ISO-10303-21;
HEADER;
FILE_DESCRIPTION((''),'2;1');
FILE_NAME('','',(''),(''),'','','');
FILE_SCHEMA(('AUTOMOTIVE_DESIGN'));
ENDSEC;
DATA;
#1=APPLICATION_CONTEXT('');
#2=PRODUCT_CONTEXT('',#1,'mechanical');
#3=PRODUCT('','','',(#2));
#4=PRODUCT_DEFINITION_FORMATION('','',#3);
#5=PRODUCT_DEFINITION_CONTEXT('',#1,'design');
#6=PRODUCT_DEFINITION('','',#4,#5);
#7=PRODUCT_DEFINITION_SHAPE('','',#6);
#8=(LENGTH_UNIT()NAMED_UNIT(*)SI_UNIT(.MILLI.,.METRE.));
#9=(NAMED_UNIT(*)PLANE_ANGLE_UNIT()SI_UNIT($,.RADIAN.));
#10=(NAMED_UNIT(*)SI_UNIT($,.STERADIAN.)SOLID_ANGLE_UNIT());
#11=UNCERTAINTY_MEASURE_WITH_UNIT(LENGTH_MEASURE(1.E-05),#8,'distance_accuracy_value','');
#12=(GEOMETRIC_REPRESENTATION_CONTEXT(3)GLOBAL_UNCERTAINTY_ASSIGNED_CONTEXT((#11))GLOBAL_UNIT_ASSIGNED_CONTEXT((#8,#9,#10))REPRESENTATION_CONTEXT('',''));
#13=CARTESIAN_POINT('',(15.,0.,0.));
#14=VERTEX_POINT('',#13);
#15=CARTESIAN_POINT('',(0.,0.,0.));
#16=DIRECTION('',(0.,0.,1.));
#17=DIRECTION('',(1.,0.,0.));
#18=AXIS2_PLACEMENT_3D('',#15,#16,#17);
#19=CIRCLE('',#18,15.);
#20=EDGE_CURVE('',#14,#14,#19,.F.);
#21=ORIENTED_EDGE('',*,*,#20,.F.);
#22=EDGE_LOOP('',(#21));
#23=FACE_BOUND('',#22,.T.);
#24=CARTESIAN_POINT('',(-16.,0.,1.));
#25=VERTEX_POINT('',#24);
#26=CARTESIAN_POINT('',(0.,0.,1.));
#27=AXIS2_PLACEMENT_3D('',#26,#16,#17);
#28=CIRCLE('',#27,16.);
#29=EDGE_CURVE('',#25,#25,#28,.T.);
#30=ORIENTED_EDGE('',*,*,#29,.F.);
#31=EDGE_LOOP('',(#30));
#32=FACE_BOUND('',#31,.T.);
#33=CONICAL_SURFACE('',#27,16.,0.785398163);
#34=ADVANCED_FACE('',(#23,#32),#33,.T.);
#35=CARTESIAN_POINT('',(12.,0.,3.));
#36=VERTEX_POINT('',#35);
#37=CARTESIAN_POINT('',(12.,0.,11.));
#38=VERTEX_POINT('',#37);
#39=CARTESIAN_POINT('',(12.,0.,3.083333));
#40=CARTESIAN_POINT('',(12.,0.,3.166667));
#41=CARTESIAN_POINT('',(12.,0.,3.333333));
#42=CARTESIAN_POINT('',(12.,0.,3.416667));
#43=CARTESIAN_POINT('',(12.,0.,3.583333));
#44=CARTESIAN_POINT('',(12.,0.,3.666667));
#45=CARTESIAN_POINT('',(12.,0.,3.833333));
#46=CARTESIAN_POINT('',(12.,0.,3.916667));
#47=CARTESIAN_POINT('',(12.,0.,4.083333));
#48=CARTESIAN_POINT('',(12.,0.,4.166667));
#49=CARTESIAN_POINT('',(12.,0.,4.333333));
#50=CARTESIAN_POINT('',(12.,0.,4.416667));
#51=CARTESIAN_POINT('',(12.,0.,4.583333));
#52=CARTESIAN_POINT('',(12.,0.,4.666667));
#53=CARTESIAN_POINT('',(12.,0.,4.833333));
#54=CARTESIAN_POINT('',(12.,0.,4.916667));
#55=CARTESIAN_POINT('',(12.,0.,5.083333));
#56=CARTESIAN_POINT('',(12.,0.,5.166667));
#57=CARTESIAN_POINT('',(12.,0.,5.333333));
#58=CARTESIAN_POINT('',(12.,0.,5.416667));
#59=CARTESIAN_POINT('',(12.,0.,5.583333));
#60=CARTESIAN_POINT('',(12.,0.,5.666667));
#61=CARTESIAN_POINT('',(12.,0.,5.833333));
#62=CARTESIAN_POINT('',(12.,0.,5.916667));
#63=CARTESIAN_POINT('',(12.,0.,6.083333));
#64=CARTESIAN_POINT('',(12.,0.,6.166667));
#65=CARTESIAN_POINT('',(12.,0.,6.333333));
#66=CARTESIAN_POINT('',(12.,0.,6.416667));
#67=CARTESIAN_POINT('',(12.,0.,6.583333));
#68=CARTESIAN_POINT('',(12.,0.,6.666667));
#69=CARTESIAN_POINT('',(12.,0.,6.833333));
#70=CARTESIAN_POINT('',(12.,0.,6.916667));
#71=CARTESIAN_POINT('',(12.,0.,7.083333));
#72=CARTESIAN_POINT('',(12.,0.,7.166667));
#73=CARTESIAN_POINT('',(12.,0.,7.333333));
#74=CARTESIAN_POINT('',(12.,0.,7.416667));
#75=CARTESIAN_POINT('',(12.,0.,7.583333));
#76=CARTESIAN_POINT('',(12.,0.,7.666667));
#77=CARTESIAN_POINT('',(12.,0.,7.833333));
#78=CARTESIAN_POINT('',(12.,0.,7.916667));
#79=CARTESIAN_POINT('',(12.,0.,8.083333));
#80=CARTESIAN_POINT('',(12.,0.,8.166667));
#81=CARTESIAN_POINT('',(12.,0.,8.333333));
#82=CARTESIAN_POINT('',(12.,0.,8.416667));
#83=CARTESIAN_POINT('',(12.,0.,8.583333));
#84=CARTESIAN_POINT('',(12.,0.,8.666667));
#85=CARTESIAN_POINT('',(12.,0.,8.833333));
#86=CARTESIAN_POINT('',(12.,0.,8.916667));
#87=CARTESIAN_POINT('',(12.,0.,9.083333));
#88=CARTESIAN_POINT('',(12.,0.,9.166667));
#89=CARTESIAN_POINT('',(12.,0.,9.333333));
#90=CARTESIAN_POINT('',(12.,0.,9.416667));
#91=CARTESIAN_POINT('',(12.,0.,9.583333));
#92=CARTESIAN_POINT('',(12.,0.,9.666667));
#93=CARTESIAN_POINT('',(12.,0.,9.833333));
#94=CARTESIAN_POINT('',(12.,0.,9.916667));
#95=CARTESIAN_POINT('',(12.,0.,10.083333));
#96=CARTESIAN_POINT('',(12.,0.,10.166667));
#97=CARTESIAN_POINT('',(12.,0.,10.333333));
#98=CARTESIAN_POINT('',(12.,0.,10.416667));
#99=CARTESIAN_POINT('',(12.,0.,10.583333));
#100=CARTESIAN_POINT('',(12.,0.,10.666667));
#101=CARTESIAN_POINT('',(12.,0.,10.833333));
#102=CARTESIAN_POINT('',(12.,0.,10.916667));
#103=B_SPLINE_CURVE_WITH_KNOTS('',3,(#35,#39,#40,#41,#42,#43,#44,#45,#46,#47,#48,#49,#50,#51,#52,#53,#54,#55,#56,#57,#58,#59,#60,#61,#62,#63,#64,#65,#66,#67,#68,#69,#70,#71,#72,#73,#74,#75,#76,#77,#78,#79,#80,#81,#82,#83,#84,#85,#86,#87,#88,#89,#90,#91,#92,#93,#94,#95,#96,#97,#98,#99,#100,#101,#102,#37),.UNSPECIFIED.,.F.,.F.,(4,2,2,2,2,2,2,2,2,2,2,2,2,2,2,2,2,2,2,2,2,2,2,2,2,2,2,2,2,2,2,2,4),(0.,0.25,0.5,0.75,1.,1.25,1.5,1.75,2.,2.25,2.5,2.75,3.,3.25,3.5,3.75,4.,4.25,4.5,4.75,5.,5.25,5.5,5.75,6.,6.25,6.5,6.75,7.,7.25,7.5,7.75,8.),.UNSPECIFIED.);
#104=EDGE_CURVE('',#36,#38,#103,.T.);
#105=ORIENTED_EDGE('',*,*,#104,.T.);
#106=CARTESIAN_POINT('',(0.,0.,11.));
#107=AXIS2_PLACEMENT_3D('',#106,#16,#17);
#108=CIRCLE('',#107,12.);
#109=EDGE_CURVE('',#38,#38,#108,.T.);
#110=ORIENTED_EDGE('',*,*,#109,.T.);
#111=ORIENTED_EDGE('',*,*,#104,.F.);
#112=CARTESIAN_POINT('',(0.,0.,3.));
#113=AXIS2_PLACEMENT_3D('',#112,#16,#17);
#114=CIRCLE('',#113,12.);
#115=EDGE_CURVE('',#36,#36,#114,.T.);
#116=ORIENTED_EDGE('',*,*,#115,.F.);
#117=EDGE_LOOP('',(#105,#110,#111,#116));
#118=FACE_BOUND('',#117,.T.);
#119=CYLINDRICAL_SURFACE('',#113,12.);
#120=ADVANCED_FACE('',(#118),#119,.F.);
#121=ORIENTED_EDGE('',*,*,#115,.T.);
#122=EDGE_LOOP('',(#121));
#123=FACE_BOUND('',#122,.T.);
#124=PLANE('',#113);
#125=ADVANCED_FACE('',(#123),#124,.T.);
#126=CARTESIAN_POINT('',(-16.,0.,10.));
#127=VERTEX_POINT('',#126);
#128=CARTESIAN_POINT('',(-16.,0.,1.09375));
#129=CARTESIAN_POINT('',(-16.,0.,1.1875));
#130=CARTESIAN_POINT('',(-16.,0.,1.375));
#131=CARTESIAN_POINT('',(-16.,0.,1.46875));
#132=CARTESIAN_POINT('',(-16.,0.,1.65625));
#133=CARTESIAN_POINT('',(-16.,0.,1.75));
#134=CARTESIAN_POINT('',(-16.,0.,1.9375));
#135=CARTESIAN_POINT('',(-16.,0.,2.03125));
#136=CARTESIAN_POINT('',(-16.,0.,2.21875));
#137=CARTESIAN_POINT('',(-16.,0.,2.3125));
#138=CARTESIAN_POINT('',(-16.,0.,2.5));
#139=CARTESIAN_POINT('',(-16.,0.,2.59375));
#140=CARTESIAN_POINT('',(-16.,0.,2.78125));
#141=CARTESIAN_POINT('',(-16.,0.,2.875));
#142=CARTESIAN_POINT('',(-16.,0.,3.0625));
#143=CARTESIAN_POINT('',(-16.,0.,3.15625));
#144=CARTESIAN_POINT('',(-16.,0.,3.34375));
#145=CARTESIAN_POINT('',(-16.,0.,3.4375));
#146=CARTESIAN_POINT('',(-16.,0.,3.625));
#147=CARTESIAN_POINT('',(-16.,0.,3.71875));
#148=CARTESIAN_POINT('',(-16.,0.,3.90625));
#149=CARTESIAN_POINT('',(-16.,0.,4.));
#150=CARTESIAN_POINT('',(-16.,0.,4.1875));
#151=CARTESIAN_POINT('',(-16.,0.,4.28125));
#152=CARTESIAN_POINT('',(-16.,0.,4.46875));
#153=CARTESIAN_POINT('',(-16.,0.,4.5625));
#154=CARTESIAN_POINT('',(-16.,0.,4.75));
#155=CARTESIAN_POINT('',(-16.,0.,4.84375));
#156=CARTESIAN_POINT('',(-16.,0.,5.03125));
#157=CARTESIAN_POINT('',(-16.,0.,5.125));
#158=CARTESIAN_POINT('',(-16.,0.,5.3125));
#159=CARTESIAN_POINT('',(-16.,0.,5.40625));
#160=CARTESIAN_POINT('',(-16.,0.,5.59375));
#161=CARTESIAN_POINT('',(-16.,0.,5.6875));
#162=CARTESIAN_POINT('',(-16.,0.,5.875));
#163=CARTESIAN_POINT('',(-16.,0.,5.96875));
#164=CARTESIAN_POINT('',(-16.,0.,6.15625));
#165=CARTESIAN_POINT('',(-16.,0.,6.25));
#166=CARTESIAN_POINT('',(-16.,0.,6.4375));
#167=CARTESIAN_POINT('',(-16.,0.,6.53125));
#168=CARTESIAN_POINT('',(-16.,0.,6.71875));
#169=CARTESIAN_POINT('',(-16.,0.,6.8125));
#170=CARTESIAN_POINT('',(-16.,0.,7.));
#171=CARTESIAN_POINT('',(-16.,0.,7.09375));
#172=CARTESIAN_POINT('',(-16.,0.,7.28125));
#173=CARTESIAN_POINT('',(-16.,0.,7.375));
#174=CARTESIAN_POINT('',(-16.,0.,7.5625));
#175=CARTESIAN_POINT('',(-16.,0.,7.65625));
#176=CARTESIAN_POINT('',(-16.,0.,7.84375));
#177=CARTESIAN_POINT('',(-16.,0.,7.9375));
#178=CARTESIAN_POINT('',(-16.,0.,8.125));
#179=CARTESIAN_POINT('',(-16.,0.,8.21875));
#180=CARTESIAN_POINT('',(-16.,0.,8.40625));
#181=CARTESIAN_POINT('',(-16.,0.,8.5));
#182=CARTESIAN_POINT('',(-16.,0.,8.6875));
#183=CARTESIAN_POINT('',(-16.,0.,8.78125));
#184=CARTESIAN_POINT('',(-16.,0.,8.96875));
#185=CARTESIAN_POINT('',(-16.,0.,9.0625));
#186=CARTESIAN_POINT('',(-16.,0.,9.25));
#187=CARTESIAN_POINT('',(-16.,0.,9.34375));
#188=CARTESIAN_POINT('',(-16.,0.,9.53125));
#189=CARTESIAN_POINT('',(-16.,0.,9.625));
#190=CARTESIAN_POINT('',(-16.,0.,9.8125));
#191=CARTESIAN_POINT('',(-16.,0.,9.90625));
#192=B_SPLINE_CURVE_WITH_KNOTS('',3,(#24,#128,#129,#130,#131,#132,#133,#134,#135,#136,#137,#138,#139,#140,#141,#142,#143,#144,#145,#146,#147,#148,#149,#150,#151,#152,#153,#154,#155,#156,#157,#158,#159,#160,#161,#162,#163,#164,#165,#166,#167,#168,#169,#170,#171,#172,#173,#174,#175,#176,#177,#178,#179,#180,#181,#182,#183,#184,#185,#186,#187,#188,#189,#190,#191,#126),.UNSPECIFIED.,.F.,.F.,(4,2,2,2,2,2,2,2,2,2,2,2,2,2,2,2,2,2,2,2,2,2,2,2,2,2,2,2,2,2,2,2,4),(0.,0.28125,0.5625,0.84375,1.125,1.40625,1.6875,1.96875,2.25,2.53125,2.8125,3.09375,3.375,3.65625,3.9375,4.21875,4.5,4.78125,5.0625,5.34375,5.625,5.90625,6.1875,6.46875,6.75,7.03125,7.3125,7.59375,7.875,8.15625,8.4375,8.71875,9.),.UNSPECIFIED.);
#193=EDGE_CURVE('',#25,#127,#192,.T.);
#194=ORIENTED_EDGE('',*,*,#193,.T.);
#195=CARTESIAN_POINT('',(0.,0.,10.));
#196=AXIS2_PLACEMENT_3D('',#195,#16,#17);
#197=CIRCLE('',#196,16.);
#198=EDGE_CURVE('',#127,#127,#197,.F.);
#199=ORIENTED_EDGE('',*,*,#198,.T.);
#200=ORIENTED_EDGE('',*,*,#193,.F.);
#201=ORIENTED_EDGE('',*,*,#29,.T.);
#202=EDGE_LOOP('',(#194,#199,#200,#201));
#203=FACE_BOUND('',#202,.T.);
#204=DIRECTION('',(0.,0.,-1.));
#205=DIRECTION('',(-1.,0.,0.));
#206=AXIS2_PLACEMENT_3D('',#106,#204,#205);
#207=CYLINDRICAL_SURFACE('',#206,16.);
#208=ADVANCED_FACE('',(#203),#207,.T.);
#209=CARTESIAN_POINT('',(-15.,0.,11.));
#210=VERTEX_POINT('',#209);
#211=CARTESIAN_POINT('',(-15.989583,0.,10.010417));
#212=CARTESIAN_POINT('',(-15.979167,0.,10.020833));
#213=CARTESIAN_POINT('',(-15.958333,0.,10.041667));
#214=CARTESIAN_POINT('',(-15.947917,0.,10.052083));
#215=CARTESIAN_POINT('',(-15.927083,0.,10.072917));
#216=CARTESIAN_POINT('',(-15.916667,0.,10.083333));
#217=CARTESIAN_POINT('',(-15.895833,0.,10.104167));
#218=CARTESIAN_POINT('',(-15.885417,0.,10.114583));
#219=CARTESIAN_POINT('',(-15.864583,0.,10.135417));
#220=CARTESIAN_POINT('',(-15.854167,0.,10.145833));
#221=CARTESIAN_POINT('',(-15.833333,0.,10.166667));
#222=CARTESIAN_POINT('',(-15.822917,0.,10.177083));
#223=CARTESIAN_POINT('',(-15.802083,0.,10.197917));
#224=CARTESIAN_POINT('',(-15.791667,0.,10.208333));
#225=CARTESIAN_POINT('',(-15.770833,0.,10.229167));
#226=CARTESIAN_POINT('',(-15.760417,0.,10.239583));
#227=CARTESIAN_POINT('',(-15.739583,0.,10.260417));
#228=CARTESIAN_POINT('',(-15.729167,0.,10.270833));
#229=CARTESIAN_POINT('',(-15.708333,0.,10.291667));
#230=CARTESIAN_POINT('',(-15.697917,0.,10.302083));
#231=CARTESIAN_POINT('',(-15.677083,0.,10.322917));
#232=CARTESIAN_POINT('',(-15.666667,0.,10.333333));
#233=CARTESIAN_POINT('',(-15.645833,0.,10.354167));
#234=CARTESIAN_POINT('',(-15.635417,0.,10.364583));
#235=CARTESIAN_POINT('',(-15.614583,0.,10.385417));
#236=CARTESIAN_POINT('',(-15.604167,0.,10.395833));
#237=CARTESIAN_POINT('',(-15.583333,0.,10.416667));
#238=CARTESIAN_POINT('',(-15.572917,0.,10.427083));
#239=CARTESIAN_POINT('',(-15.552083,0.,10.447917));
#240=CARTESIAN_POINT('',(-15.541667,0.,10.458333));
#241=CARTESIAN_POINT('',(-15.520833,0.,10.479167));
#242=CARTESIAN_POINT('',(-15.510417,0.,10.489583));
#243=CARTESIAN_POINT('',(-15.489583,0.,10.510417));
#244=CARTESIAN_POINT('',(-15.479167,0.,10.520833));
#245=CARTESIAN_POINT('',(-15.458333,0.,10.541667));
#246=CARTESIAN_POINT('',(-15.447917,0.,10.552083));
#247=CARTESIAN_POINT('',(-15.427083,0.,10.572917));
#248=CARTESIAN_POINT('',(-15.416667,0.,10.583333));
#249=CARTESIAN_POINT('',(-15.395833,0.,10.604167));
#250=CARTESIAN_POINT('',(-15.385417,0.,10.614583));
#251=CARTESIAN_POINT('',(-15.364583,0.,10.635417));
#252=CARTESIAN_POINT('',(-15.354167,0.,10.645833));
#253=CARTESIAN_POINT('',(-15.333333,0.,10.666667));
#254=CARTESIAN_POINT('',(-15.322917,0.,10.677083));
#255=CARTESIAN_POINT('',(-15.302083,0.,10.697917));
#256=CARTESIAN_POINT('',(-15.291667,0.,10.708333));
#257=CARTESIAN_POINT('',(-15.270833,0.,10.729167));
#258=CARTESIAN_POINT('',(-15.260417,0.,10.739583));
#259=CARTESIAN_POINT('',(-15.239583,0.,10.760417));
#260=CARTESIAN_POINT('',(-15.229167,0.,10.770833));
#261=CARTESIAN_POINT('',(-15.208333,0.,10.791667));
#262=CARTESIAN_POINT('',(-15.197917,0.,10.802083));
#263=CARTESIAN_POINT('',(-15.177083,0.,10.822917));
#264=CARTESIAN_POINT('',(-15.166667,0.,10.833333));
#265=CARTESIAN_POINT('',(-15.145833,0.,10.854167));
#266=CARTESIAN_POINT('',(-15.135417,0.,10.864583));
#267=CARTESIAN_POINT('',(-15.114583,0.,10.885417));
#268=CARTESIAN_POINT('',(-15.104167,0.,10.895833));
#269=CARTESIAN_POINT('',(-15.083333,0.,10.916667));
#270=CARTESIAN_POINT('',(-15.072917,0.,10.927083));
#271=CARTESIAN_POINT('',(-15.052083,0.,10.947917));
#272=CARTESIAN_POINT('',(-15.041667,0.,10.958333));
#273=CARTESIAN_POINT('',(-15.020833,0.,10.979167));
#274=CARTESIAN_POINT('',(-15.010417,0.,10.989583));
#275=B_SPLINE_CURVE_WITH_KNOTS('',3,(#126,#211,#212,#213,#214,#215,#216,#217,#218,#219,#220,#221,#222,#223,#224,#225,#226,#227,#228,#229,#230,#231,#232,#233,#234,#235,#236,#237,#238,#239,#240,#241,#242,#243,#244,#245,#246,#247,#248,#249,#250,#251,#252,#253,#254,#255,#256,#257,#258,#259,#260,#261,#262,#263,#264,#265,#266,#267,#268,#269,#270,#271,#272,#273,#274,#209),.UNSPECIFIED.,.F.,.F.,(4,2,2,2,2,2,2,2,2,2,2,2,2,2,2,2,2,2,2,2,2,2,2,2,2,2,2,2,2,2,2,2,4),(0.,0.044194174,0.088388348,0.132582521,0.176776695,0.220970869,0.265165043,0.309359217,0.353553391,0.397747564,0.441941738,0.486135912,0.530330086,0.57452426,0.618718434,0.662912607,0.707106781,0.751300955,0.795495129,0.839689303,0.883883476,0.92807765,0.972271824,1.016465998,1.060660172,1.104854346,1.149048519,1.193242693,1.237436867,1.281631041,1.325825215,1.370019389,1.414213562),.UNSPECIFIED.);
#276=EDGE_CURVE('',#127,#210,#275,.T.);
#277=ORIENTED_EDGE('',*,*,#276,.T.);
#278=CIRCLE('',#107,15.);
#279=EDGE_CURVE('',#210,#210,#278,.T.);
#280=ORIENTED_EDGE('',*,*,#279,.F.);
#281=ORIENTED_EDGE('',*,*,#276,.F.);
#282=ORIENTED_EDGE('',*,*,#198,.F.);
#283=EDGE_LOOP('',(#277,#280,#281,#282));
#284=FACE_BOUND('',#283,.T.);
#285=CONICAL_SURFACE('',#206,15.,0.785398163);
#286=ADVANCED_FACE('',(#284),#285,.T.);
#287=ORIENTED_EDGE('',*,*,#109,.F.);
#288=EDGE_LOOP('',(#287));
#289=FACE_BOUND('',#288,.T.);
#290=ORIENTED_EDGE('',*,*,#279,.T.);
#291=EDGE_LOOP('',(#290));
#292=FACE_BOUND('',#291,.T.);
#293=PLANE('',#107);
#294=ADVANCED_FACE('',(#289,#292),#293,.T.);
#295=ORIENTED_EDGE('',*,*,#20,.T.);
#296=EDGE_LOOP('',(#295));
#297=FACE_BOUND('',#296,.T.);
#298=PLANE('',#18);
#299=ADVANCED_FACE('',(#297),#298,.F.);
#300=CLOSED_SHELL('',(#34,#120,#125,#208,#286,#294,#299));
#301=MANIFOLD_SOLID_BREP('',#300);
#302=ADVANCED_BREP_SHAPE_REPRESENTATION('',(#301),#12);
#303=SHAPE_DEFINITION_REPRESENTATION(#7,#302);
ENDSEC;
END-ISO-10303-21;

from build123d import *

# Parameters (mm, degrees)
SKETCH_1_R          = 16
EXTRUDE_1_DEPTH     = 11
CHAMFER_1_SIZE      = 1
SKETCH_2_R          = 12
CUT_EXTRUDE_1_DEPTH = 8


with BuildPart() as part:
    # 草图1 → 拉伸1 (new body)
    with BuildSketch(Plane.XY):
        Circle(SKETCH_1_R)
    extrude(amount=EXTRUDE_1_DEPTH)

    # 倒角1
    chamfer_1_edges = [part.edges().sort_by_distance(p)[0] for p in [
        (-16, 0, 0),
        (-16, 0, 11),
    ]]
    chamfer(chamfer_1_edges, length=CHAMFER_1_SIZE)

    # 草图2 → 切除-拉伸1 (cut)
    with BuildSketch(Plane.XY.offset(11)):
        Circle(SKETCH_2_R)
    extrude(amount=-CUT_EXTRUDE_1_DEPTH, mode=Mode.SUBTRACT)


solid = part.part
